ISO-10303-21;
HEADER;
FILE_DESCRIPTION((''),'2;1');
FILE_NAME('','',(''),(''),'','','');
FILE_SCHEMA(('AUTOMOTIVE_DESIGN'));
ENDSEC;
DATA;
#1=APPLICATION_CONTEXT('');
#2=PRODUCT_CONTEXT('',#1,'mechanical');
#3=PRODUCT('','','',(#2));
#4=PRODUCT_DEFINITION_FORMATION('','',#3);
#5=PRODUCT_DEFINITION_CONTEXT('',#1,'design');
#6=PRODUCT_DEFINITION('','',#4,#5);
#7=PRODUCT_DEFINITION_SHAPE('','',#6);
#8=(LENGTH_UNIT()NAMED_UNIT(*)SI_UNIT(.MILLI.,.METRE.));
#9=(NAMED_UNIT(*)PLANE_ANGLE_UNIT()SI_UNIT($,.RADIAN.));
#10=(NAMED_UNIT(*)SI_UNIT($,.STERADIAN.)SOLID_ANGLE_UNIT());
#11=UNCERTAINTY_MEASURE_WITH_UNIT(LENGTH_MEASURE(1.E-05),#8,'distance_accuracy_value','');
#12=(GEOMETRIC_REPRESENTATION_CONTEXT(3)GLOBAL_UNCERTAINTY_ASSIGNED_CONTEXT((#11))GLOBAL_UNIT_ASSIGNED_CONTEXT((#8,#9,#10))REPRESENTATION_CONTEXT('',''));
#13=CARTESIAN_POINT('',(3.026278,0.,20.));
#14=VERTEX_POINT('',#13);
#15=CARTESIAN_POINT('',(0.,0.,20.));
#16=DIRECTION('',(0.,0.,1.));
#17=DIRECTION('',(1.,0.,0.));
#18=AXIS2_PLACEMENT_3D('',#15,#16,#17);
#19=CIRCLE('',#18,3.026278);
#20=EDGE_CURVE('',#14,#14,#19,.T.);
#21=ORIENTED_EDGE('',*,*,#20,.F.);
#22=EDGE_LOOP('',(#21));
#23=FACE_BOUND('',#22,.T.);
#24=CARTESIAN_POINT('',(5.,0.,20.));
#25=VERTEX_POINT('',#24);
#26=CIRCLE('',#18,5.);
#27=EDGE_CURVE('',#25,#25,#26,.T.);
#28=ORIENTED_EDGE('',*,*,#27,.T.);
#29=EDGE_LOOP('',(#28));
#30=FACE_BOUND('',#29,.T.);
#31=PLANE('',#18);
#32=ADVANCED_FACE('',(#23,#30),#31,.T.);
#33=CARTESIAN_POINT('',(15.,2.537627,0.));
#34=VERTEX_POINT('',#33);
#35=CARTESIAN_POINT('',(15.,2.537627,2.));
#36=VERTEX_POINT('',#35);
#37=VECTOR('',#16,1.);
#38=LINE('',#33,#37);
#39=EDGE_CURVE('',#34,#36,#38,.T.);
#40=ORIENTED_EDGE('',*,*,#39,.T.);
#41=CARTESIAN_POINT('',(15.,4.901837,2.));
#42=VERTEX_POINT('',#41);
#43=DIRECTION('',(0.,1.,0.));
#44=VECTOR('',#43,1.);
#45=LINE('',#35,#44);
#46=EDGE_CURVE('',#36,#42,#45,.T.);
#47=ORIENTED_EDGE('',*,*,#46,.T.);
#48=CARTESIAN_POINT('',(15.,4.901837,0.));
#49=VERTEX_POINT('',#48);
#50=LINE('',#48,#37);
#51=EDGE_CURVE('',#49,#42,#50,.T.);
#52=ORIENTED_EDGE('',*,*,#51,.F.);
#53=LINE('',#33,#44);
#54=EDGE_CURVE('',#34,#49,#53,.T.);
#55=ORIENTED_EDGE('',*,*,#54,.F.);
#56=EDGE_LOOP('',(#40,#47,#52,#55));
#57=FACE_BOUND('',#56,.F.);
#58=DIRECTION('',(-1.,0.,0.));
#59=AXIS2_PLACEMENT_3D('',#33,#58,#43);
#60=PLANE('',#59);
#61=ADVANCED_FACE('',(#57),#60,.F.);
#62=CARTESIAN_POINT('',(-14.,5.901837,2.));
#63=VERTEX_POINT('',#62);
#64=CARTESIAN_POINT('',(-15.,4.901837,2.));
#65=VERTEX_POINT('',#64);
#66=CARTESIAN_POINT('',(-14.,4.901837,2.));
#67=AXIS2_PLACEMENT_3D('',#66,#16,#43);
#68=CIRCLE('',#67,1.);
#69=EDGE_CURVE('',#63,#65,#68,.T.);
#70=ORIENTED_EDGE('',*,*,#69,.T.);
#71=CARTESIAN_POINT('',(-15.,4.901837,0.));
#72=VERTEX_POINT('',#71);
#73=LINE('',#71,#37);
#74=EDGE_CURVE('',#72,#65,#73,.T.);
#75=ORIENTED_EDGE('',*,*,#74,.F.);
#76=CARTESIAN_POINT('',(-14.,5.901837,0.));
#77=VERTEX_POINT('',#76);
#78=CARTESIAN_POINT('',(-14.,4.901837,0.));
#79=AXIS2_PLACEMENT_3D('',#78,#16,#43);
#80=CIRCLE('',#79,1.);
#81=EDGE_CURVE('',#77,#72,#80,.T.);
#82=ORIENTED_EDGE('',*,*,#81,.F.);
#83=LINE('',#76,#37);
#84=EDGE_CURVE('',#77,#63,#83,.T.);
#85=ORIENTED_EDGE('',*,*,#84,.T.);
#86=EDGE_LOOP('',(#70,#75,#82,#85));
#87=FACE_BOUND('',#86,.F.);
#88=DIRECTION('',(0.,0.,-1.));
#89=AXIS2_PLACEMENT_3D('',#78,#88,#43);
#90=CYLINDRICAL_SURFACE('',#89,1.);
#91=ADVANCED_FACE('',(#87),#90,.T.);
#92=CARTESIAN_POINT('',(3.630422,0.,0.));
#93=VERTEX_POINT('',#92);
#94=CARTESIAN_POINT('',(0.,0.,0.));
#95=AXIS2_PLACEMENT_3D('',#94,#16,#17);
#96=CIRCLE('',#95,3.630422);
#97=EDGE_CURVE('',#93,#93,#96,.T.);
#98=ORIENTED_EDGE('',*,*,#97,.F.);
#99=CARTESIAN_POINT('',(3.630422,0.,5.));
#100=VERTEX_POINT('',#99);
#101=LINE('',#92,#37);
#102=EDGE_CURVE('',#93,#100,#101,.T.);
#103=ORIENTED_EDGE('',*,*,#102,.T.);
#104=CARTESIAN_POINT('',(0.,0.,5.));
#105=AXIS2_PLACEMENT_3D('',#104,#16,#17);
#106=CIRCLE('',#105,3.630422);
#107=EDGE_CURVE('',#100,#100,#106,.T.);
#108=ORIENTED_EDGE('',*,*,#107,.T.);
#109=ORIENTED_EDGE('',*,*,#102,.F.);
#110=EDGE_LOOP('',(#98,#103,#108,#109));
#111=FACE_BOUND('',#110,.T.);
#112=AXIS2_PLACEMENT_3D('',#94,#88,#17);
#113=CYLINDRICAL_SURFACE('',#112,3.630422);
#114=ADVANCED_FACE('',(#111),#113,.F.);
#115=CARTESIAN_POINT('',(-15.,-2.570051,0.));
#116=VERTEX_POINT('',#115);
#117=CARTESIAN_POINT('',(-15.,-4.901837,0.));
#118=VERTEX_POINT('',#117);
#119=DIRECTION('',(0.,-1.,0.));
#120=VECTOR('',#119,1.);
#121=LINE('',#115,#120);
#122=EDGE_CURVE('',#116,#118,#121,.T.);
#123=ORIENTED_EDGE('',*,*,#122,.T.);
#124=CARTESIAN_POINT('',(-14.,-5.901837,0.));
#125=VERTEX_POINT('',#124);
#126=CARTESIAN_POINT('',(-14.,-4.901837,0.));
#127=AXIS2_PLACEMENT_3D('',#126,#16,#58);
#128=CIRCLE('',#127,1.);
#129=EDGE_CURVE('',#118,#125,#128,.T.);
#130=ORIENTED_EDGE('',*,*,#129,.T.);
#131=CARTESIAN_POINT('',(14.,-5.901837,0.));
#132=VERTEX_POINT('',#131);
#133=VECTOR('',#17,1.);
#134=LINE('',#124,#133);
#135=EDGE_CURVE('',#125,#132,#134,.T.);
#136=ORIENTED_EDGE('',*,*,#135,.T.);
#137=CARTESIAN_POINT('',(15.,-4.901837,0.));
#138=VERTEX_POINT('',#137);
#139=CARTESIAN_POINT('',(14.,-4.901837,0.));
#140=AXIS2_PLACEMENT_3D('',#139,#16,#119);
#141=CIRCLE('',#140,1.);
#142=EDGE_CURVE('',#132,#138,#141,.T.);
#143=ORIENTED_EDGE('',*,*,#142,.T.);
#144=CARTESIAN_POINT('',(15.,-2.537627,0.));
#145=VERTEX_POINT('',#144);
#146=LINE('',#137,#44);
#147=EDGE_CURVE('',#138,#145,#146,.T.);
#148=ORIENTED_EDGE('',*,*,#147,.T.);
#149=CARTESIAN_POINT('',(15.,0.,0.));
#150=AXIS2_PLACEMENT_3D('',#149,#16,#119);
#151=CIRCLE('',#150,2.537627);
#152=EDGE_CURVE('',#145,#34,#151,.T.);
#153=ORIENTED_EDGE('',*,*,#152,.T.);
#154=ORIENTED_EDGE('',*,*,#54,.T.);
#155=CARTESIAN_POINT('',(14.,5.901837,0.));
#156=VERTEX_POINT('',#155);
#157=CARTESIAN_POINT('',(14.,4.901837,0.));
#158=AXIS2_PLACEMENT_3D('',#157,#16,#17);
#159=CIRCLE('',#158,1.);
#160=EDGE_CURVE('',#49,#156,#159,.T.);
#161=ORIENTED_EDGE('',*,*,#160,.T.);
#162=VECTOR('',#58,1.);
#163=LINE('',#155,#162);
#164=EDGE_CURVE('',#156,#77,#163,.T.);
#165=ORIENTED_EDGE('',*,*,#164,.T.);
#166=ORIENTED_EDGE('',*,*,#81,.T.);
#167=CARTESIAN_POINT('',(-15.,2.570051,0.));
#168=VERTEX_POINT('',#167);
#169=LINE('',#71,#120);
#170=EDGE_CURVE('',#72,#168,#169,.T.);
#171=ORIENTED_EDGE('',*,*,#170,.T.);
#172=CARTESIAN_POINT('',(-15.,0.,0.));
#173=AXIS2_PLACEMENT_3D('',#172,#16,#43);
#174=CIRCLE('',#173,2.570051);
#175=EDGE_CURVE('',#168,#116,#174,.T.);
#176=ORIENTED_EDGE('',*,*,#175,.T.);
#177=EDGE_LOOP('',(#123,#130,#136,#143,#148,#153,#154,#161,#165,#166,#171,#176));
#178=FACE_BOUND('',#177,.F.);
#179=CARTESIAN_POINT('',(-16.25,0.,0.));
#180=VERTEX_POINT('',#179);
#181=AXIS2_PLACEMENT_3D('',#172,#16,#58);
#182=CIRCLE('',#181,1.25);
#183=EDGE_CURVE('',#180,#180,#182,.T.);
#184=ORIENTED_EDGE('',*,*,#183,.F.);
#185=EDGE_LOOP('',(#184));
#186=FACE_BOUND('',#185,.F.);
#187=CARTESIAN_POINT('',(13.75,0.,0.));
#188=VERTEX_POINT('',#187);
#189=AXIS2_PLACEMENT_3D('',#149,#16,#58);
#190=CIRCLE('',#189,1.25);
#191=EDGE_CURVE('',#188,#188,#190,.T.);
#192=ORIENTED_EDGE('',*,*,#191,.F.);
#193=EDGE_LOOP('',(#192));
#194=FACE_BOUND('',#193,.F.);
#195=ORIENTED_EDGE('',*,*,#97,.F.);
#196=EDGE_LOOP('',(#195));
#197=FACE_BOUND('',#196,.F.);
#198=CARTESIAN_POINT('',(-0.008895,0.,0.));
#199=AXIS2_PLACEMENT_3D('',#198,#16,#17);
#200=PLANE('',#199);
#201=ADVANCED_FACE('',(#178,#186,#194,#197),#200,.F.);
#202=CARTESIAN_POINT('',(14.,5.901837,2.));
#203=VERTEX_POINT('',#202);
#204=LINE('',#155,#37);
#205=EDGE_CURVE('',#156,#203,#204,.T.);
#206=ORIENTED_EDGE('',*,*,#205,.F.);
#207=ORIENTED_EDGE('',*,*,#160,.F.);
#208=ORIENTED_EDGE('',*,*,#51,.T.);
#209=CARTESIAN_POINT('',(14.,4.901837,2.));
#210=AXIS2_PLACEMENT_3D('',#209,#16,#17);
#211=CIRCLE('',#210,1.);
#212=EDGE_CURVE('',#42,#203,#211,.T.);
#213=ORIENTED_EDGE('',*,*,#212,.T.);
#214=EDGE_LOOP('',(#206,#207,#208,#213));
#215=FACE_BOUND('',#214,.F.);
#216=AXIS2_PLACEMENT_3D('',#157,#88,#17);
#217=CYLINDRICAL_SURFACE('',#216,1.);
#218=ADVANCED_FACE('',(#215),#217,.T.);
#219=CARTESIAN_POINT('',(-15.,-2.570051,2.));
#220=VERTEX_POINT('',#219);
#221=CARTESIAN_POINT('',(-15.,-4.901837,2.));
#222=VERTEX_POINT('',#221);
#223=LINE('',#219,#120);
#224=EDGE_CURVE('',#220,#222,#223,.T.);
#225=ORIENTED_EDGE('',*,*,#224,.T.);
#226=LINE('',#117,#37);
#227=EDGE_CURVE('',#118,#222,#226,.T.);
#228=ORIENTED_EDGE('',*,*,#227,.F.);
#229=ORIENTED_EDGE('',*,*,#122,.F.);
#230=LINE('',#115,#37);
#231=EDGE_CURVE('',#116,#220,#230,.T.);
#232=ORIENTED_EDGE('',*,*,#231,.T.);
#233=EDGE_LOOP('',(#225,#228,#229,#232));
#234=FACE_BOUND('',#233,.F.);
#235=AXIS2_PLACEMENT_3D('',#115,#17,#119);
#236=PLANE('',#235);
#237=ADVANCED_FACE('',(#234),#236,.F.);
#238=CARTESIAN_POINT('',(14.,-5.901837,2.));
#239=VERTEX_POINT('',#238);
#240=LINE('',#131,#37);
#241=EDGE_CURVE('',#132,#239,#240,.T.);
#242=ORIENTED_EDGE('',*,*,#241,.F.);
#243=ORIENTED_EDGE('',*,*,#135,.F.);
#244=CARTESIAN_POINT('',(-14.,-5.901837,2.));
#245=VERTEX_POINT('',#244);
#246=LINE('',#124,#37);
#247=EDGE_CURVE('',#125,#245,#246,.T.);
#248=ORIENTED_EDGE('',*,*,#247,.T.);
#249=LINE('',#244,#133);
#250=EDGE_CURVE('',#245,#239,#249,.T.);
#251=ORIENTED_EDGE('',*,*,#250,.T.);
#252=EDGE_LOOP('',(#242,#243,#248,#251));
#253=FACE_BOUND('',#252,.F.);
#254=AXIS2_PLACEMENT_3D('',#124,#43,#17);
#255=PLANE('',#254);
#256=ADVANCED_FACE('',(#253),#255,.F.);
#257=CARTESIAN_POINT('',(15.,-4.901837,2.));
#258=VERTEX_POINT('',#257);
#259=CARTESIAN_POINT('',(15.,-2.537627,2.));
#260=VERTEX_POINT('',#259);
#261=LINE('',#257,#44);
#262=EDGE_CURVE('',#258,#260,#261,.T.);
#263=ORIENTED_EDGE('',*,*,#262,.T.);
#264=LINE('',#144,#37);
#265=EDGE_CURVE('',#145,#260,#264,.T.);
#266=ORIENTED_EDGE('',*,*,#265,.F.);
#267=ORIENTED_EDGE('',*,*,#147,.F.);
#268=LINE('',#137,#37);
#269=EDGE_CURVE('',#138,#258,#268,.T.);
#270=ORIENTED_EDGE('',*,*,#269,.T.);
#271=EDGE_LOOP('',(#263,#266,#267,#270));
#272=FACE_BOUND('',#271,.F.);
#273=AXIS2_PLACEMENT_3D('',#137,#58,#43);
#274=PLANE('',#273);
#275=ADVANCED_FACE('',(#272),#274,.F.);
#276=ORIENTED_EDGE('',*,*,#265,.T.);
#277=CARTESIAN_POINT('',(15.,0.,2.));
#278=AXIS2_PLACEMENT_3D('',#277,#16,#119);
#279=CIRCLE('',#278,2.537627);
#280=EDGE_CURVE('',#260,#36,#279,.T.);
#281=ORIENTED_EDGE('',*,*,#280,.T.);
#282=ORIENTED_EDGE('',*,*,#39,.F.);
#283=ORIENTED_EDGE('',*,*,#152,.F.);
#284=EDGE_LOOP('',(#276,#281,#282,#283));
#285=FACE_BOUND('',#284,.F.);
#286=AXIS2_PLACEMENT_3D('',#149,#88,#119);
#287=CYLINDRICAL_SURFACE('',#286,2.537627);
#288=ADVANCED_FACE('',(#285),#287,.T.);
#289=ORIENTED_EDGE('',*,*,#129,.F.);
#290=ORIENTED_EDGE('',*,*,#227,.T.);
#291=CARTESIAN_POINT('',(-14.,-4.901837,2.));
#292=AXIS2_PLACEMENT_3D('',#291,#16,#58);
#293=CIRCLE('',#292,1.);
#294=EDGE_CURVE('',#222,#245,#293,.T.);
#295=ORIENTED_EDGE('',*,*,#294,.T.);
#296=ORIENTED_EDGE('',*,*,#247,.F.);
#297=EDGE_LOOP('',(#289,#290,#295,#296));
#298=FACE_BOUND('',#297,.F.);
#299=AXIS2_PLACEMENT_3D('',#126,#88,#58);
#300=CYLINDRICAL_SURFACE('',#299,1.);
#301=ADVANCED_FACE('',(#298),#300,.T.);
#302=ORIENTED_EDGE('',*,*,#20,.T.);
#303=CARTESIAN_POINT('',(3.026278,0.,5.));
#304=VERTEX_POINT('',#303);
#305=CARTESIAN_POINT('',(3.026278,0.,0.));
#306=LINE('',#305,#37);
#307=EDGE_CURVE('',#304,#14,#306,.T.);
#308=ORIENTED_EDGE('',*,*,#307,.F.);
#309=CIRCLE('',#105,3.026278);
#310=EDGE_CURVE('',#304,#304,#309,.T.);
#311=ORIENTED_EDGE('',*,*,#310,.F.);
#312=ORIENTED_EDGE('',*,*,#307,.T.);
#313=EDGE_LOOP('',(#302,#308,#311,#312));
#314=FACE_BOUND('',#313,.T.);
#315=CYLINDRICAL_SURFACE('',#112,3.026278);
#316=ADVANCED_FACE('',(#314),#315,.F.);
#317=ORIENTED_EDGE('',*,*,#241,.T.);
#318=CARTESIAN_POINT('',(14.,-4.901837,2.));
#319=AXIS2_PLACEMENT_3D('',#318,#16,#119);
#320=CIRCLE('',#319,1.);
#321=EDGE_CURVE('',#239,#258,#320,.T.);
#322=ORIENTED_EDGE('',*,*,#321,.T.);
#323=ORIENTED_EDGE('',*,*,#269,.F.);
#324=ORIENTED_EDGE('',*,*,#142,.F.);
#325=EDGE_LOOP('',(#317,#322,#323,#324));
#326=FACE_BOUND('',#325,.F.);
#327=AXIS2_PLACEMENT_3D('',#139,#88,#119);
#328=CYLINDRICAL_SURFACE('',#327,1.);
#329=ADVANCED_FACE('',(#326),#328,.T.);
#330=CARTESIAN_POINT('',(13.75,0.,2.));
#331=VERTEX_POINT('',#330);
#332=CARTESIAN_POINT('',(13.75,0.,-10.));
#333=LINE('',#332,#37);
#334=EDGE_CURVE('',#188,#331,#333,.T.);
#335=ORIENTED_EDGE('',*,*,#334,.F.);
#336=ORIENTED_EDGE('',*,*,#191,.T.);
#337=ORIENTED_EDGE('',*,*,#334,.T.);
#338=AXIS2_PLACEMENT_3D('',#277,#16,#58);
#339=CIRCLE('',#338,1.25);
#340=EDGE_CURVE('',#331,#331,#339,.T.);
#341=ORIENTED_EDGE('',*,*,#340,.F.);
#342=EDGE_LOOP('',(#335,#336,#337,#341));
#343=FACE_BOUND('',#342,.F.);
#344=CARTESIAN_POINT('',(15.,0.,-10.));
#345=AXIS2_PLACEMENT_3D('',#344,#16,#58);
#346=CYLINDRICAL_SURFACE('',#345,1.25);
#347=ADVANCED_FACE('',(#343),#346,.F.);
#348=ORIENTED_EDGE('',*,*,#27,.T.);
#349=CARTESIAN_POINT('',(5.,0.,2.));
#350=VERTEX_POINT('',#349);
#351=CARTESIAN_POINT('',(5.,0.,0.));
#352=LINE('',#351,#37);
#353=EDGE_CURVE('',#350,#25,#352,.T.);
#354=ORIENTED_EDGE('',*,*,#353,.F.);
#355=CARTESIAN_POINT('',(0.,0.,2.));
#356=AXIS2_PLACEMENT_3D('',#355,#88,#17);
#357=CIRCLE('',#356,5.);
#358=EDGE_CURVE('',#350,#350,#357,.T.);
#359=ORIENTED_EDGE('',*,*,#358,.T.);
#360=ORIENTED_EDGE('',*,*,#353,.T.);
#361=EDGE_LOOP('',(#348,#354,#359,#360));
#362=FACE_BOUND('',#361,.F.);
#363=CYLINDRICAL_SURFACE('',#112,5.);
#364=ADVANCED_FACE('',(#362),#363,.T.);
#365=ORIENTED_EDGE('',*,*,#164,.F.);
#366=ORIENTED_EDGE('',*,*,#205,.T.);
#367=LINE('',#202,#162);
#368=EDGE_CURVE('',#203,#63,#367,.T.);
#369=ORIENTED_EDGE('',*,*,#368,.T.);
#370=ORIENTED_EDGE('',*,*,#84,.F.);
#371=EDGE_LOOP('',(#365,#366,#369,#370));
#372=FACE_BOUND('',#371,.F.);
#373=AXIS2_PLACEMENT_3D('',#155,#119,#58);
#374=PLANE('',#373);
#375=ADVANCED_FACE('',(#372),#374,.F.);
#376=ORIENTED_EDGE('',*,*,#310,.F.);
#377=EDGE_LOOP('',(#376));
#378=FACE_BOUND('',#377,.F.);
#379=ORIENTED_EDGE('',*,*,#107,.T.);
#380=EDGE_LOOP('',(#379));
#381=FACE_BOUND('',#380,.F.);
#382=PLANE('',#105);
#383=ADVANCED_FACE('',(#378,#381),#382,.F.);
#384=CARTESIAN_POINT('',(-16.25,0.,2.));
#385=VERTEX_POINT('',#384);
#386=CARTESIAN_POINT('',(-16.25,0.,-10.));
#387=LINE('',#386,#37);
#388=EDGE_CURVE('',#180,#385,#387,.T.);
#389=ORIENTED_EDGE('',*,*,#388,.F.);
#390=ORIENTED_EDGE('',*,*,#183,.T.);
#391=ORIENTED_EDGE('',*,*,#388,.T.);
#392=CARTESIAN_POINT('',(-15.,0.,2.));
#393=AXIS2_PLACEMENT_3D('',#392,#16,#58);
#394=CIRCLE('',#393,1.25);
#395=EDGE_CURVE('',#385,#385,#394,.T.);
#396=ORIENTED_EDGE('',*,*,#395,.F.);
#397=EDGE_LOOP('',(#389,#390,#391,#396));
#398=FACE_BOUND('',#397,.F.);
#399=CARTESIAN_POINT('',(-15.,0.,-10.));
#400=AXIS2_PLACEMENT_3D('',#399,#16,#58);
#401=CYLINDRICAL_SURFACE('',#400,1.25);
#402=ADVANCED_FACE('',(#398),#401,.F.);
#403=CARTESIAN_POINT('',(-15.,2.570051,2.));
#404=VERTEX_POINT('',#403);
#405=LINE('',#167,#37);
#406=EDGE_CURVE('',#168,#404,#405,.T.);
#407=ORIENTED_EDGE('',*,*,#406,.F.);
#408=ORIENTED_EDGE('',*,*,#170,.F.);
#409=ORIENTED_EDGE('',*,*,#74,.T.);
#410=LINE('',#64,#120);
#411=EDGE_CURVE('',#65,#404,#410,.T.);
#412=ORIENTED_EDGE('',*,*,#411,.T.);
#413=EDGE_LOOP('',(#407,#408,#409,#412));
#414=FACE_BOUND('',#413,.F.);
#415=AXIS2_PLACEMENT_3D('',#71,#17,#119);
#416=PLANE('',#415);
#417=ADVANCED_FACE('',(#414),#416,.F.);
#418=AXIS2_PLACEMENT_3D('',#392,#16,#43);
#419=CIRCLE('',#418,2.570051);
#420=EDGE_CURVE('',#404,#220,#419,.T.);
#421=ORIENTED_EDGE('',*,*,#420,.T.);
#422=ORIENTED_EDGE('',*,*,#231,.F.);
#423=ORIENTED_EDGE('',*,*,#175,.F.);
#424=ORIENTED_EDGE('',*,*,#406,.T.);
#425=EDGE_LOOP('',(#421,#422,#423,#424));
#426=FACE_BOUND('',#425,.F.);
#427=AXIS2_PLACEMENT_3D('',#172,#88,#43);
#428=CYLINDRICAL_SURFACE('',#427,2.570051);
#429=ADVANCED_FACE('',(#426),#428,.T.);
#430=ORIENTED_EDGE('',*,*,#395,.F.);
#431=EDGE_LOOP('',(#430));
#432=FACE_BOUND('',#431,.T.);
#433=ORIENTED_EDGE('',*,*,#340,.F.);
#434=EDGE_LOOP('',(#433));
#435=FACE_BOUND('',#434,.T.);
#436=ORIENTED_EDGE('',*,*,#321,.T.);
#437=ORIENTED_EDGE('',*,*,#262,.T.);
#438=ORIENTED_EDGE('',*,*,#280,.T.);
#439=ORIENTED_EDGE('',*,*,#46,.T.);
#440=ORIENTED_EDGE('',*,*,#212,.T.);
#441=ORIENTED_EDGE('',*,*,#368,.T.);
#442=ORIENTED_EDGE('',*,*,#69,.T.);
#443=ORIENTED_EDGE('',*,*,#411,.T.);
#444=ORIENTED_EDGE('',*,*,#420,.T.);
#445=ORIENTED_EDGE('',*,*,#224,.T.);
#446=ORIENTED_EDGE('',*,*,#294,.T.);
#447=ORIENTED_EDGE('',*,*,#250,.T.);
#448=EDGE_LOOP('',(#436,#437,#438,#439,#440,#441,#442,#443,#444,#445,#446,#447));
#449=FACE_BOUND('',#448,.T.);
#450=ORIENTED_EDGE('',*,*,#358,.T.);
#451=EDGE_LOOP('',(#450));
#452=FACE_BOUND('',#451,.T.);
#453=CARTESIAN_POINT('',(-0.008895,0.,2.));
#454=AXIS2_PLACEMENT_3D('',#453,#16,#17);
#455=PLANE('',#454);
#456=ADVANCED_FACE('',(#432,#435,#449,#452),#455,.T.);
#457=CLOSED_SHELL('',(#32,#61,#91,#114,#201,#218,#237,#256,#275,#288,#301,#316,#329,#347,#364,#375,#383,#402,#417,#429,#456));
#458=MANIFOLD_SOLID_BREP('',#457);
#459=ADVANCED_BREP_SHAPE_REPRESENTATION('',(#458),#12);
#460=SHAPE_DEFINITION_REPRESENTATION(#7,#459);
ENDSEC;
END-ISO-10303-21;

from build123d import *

# Parameters (mm, degrees)
F0_R     = 5
F0_R_2   = 3.6304219053
F0_R_3   = 3.0262783812
F1_DEPTH = 2
F2_DEPTH = 20
F3_D     = 2.5
F3_DEPTH = 10
F3_TIP   = 0.7510757738
F4_DEPTH = 5


with BuildPart() as f1:
    # F0 (on Top) → F1 (new body)
    with BuildSketch(Plane.XY):
        with BuildLine():
            Line((-14, -5.9018372558), (14, -5.9018372558))
            ThreePointArc((14, -5.9018372558), (14.7071067812, -5.608944037), (15, -4.9018372558))
            Line((15, -4.9018372558), (15, -2.5376267174))
            ThreePointArc((15, -2.5376267174), (17.5376267174, 0), (15, 2.5376267174))
            Line((15, 2.5376267174), (15, 4.9018372558))
            ThreePointArc((15, 4.9018372558), (14.7071067812, 5.608944037), (14, 5.9018372558))
            Line((14, 5.9018372558), (-14, 5.9018372558))
            ThreePointArc((-14, 5.9018372558), (-14.7071067812, 5.608944037), (-15, 4.9018372558))
            Line((-15, 4.9018372558), (-15, 2.5700507666))
            ThreePointArc((-15, 2.5700507666), (-17.5700507666, 0), (-15, -2.5700507666))
            Line((-15, -2.5700507666), (-15, -4.9018372558))
            ThreePointArc((-15, -4.9018372558), (-14.7071067812, -5.608944037), (-14, -5.9018372558))
        make_face()
        Circle(F0_R, mode=Mode.SUBTRACT)
        Circle(F0_R)
        Circle(F0_R_2, mode=Mode.SUBTRACT)
        Circle(F0_R_2)
        Circle(F0_R_3, mode=Mode.SUBTRACT)
    extrude(amount=F1_DEPTH)

    # F0 (on Top) → F2 (join)
    with BuildSketch(Plane.XY):
        Circle(F0_R)
        Circle(F0_R_2, mode=Mode.SUBTRACT)
        Circle(F0_R_2)
        Circle(F0_R_3, mode=Mode.SUBTRACT)
    extrude(amount=F2_DEPTH)

    # F3
    with Locations(Plane(origin=(0, 0, 0), x_dir=(1, 0, 0), z_dir=(0, 0, -1))):
        with Locations((-15, 0), (15, 0)):
            Hole(F3_D / 2, depth=F3_DEPTH)
            with Locations((0, 0, -(F3_DEPTH + F3_TIP / 2))):  # 118° drill point
                Cone(0, F3_D / 2, F3_TIP, mode=Mode.SUBTRACT)

    # F0 (on Top) → F4 (cut)
    with BuildSketch(Plane.XY):
        Circle(F0_R_2)
        Circle(F0_R_3, mode=Mode.SUBTRACT)
    extrude(amount=F4_DEPTH, mode=Mode.SUBTRACT)


solid = f1.part
